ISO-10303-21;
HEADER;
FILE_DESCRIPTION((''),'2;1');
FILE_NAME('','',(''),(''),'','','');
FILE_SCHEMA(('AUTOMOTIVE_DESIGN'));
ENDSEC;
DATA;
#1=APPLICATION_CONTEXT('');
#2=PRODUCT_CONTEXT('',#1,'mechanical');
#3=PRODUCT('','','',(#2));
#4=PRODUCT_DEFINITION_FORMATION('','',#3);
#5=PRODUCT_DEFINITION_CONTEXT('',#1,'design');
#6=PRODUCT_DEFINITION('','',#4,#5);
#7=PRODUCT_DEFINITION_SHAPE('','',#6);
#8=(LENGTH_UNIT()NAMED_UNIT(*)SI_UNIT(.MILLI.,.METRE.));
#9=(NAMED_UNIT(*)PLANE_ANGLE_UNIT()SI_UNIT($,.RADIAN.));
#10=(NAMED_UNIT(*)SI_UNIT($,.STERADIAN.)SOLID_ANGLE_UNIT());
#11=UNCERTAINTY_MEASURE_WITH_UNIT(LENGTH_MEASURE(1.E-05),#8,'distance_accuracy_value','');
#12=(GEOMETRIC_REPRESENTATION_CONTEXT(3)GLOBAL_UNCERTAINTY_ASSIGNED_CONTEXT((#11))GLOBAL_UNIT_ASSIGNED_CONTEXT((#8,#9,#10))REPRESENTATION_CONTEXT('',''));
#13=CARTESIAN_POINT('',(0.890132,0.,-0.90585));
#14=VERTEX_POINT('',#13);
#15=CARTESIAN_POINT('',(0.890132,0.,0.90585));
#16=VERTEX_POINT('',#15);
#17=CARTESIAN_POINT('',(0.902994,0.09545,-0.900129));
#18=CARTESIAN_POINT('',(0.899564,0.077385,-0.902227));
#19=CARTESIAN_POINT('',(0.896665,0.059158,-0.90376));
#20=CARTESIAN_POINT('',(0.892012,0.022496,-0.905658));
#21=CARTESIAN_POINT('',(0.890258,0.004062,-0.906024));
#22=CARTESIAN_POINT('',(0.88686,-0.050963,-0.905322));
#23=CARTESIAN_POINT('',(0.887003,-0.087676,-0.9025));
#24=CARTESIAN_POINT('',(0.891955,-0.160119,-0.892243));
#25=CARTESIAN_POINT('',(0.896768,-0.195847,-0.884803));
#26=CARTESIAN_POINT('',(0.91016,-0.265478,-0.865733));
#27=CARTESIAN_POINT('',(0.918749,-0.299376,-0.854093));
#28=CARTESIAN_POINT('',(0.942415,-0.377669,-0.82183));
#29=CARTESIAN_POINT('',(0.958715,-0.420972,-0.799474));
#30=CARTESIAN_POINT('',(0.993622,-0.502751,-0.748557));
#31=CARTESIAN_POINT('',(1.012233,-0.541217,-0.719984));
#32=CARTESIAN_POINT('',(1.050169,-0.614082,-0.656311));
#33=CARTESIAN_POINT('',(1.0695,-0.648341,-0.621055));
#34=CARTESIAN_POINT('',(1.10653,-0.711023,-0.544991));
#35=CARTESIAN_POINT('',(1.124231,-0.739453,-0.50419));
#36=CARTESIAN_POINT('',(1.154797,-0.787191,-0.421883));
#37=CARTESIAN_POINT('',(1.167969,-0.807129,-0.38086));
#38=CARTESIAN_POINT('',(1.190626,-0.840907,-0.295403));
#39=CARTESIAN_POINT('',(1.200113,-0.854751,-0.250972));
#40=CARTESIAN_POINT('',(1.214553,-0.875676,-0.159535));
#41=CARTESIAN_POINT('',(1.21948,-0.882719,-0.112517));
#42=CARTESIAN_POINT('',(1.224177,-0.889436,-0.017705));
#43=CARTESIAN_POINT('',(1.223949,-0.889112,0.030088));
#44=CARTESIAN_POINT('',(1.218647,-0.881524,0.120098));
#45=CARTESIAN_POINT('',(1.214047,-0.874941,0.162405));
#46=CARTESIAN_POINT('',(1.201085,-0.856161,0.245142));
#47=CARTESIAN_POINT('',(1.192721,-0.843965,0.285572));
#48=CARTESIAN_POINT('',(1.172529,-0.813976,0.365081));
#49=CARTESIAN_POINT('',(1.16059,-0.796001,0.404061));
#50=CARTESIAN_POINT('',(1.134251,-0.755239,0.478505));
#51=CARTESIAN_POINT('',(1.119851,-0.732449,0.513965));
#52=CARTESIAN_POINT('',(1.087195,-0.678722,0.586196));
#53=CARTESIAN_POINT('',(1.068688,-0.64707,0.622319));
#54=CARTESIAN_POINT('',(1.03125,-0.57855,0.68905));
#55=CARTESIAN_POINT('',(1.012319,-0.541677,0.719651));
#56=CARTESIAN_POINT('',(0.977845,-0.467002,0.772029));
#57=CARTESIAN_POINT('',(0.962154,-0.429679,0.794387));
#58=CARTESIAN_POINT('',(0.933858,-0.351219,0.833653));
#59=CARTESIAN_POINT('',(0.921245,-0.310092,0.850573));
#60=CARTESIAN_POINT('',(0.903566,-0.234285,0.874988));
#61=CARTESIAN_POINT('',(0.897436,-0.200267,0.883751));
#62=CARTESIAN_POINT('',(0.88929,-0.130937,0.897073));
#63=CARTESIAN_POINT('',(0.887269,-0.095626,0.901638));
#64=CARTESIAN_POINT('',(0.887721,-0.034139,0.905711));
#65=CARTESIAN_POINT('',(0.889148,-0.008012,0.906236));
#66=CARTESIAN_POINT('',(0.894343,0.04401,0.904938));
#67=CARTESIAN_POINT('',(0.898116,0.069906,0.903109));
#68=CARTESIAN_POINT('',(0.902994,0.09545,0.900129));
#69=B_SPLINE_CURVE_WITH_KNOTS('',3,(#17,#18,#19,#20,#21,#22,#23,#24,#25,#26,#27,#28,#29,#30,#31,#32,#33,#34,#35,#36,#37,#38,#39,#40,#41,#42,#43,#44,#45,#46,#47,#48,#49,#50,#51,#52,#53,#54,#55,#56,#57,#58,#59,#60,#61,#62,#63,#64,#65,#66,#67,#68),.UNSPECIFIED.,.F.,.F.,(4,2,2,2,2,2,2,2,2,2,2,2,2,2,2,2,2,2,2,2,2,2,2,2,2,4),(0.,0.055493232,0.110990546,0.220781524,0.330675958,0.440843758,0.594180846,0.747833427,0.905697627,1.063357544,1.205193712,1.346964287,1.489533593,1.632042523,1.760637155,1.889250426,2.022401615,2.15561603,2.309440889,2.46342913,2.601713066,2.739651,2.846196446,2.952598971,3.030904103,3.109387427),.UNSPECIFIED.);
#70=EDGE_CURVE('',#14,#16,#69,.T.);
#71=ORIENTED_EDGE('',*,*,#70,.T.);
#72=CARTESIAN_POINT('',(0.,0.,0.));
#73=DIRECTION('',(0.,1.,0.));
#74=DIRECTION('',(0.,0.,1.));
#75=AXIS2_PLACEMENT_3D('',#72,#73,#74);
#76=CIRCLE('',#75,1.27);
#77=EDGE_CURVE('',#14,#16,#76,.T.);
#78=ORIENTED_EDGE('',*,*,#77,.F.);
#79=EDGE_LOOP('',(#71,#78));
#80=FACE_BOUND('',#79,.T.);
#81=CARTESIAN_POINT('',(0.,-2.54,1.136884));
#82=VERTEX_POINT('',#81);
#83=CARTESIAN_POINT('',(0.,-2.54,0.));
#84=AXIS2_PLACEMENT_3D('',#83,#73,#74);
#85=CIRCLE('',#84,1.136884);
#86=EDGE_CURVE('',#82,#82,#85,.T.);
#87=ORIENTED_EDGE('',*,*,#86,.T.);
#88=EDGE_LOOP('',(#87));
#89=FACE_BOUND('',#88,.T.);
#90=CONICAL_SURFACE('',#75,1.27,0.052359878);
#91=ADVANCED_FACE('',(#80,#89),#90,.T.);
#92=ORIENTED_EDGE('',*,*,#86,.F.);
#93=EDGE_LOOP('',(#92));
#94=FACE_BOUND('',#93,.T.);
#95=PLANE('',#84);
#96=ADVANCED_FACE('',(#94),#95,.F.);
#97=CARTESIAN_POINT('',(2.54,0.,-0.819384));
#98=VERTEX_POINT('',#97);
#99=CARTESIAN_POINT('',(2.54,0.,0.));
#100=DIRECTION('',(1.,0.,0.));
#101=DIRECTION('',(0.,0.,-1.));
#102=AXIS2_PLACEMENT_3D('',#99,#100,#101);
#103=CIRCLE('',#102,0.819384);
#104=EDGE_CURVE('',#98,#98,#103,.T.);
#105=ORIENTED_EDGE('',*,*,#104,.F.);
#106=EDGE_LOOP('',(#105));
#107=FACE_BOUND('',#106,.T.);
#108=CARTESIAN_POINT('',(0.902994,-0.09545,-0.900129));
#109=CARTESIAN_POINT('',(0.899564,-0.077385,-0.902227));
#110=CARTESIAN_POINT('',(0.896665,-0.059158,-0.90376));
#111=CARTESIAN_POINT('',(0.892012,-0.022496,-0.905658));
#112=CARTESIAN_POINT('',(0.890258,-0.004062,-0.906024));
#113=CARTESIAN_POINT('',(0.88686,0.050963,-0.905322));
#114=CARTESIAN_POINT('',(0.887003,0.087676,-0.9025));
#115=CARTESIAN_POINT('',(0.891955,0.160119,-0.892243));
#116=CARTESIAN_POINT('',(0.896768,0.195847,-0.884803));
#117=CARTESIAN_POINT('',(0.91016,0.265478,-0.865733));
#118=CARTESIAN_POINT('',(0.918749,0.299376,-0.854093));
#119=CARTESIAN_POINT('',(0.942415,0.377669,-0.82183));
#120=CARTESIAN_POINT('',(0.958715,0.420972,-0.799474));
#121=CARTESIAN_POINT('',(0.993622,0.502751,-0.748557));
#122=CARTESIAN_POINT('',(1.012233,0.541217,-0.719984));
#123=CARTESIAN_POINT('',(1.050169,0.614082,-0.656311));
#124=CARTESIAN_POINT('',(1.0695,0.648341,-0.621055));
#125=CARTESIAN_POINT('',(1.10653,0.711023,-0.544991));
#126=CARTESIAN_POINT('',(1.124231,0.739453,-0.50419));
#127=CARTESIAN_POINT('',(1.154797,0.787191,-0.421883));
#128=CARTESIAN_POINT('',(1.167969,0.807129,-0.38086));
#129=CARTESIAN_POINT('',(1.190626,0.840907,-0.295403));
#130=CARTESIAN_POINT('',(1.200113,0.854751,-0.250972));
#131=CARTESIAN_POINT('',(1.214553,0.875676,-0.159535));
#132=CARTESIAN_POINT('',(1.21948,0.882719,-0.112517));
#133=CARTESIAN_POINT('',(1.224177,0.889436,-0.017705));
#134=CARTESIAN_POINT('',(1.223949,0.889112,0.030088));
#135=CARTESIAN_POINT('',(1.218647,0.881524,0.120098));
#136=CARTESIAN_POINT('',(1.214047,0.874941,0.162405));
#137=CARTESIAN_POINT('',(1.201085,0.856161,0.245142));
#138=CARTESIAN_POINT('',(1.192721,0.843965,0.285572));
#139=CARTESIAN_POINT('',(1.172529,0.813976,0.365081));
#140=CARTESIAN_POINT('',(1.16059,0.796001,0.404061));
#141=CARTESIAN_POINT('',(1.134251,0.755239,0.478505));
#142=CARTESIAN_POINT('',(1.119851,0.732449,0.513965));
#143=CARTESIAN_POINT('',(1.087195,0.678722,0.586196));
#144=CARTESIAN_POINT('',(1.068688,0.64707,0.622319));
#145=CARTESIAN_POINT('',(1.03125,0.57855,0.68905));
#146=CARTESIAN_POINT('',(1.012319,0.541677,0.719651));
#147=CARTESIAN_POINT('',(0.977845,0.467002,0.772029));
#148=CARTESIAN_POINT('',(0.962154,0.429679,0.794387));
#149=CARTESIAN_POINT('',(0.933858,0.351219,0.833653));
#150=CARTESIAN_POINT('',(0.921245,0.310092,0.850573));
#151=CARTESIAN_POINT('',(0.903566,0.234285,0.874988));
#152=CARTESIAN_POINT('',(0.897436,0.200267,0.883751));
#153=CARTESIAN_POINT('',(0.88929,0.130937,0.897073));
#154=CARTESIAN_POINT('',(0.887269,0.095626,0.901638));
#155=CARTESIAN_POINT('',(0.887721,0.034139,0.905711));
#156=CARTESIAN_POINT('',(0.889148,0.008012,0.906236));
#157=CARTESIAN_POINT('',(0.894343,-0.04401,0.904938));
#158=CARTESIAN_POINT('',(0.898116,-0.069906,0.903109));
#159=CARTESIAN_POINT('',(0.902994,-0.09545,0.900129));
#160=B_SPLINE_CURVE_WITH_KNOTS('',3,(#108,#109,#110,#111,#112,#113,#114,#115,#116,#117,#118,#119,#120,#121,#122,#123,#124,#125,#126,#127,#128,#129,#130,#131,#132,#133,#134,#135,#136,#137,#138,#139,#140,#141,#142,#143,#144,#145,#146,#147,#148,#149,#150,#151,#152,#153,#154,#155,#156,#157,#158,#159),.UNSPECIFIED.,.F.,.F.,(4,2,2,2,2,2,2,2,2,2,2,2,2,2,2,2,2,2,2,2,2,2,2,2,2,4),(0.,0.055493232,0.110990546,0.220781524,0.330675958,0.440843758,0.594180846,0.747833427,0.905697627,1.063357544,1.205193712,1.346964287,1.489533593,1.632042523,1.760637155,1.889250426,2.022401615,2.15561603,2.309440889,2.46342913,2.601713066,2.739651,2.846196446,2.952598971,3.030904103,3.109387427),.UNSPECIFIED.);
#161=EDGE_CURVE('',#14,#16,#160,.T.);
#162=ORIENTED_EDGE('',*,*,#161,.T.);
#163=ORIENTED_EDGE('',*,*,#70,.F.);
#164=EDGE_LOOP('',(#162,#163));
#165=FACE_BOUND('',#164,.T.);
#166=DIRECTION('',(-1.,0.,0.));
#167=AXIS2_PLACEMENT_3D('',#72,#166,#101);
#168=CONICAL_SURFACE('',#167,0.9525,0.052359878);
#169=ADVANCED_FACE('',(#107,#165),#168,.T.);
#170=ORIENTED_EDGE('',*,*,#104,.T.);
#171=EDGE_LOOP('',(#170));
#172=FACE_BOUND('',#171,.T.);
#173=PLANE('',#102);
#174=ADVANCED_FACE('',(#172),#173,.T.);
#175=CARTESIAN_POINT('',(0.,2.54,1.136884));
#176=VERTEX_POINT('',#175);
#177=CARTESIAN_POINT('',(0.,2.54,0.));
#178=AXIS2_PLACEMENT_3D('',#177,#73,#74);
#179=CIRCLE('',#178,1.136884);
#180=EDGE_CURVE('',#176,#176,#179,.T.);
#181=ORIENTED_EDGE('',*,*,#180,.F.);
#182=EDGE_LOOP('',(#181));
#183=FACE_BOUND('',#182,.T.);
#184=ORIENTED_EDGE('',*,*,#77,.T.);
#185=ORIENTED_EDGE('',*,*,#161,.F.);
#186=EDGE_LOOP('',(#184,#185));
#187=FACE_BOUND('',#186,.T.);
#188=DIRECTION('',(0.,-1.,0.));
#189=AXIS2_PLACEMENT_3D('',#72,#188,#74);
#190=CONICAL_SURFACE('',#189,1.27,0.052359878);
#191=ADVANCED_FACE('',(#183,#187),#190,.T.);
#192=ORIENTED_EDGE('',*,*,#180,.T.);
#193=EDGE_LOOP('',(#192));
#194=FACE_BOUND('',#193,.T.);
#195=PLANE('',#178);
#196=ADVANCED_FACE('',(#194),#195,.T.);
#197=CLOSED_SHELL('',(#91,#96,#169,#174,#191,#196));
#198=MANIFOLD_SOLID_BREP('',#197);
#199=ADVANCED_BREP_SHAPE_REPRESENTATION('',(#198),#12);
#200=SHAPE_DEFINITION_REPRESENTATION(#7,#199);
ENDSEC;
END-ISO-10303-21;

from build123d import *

# Parameters (mm, degrees)
SKETCH1_R                     = 1.27
BOSS_EXTRUDE1_DEPTH           = 2.54
BOSS_EXTRUDE1_TAPER           = 3
BOSS_EXTRUDE1_OTHER_WAY_DEPTH = 2.54
BOSS_EXTRUDE1_OTHER_WAY_TAPER = 3
SKETCH2_R                     = 0.9525
BOSS_EXTRUDE2_DEPTH           = 2.54
BOSS_EXTRUDE2_TAPER           = 3


with BuildPart() as part:
    # Sketch1 → Boss-Extrude1 (new body)
    with BuildSketch(Plane(origin=(0, 0, 0), x_dir=(1, 0, 0), z_dir=(0, 1, 0))):
        Circle(SKETCH1_R)
    extrude(amount=BOSS_EXTRUDE1_DEPTH, taper=BOSS_EXTRUDE1_TAPER)

    # Sketch1 → Boss-Extrude1 other way (add)
    with BuildSketch(Plane(origin=(0, 0, 0), x_dir=(1, 0, 0), z_dir=(0, 1, 0))):
        Circle(SKETCH1_R)
    extrude(amount=-BOSS_EXTRUDE1_OTHER_WAY_DEPTH, taper=BOSS_EXTRUDE1_OTHER_WAY_TAPER)

    # Sketch2 → Boss-Extrude2 (add)
    with BuildSketch(Plane(origin=(0, 0, 0), x_dir=(0, 0, -1), z_dir=(1, 0, 0))):
        Circle(SKETCH2_R)
    extrude(amount=BOSS_EXTRUDE2_DEPTH, taper=BOSS_EXTRUDE2_TAPER)


solid = part.part
